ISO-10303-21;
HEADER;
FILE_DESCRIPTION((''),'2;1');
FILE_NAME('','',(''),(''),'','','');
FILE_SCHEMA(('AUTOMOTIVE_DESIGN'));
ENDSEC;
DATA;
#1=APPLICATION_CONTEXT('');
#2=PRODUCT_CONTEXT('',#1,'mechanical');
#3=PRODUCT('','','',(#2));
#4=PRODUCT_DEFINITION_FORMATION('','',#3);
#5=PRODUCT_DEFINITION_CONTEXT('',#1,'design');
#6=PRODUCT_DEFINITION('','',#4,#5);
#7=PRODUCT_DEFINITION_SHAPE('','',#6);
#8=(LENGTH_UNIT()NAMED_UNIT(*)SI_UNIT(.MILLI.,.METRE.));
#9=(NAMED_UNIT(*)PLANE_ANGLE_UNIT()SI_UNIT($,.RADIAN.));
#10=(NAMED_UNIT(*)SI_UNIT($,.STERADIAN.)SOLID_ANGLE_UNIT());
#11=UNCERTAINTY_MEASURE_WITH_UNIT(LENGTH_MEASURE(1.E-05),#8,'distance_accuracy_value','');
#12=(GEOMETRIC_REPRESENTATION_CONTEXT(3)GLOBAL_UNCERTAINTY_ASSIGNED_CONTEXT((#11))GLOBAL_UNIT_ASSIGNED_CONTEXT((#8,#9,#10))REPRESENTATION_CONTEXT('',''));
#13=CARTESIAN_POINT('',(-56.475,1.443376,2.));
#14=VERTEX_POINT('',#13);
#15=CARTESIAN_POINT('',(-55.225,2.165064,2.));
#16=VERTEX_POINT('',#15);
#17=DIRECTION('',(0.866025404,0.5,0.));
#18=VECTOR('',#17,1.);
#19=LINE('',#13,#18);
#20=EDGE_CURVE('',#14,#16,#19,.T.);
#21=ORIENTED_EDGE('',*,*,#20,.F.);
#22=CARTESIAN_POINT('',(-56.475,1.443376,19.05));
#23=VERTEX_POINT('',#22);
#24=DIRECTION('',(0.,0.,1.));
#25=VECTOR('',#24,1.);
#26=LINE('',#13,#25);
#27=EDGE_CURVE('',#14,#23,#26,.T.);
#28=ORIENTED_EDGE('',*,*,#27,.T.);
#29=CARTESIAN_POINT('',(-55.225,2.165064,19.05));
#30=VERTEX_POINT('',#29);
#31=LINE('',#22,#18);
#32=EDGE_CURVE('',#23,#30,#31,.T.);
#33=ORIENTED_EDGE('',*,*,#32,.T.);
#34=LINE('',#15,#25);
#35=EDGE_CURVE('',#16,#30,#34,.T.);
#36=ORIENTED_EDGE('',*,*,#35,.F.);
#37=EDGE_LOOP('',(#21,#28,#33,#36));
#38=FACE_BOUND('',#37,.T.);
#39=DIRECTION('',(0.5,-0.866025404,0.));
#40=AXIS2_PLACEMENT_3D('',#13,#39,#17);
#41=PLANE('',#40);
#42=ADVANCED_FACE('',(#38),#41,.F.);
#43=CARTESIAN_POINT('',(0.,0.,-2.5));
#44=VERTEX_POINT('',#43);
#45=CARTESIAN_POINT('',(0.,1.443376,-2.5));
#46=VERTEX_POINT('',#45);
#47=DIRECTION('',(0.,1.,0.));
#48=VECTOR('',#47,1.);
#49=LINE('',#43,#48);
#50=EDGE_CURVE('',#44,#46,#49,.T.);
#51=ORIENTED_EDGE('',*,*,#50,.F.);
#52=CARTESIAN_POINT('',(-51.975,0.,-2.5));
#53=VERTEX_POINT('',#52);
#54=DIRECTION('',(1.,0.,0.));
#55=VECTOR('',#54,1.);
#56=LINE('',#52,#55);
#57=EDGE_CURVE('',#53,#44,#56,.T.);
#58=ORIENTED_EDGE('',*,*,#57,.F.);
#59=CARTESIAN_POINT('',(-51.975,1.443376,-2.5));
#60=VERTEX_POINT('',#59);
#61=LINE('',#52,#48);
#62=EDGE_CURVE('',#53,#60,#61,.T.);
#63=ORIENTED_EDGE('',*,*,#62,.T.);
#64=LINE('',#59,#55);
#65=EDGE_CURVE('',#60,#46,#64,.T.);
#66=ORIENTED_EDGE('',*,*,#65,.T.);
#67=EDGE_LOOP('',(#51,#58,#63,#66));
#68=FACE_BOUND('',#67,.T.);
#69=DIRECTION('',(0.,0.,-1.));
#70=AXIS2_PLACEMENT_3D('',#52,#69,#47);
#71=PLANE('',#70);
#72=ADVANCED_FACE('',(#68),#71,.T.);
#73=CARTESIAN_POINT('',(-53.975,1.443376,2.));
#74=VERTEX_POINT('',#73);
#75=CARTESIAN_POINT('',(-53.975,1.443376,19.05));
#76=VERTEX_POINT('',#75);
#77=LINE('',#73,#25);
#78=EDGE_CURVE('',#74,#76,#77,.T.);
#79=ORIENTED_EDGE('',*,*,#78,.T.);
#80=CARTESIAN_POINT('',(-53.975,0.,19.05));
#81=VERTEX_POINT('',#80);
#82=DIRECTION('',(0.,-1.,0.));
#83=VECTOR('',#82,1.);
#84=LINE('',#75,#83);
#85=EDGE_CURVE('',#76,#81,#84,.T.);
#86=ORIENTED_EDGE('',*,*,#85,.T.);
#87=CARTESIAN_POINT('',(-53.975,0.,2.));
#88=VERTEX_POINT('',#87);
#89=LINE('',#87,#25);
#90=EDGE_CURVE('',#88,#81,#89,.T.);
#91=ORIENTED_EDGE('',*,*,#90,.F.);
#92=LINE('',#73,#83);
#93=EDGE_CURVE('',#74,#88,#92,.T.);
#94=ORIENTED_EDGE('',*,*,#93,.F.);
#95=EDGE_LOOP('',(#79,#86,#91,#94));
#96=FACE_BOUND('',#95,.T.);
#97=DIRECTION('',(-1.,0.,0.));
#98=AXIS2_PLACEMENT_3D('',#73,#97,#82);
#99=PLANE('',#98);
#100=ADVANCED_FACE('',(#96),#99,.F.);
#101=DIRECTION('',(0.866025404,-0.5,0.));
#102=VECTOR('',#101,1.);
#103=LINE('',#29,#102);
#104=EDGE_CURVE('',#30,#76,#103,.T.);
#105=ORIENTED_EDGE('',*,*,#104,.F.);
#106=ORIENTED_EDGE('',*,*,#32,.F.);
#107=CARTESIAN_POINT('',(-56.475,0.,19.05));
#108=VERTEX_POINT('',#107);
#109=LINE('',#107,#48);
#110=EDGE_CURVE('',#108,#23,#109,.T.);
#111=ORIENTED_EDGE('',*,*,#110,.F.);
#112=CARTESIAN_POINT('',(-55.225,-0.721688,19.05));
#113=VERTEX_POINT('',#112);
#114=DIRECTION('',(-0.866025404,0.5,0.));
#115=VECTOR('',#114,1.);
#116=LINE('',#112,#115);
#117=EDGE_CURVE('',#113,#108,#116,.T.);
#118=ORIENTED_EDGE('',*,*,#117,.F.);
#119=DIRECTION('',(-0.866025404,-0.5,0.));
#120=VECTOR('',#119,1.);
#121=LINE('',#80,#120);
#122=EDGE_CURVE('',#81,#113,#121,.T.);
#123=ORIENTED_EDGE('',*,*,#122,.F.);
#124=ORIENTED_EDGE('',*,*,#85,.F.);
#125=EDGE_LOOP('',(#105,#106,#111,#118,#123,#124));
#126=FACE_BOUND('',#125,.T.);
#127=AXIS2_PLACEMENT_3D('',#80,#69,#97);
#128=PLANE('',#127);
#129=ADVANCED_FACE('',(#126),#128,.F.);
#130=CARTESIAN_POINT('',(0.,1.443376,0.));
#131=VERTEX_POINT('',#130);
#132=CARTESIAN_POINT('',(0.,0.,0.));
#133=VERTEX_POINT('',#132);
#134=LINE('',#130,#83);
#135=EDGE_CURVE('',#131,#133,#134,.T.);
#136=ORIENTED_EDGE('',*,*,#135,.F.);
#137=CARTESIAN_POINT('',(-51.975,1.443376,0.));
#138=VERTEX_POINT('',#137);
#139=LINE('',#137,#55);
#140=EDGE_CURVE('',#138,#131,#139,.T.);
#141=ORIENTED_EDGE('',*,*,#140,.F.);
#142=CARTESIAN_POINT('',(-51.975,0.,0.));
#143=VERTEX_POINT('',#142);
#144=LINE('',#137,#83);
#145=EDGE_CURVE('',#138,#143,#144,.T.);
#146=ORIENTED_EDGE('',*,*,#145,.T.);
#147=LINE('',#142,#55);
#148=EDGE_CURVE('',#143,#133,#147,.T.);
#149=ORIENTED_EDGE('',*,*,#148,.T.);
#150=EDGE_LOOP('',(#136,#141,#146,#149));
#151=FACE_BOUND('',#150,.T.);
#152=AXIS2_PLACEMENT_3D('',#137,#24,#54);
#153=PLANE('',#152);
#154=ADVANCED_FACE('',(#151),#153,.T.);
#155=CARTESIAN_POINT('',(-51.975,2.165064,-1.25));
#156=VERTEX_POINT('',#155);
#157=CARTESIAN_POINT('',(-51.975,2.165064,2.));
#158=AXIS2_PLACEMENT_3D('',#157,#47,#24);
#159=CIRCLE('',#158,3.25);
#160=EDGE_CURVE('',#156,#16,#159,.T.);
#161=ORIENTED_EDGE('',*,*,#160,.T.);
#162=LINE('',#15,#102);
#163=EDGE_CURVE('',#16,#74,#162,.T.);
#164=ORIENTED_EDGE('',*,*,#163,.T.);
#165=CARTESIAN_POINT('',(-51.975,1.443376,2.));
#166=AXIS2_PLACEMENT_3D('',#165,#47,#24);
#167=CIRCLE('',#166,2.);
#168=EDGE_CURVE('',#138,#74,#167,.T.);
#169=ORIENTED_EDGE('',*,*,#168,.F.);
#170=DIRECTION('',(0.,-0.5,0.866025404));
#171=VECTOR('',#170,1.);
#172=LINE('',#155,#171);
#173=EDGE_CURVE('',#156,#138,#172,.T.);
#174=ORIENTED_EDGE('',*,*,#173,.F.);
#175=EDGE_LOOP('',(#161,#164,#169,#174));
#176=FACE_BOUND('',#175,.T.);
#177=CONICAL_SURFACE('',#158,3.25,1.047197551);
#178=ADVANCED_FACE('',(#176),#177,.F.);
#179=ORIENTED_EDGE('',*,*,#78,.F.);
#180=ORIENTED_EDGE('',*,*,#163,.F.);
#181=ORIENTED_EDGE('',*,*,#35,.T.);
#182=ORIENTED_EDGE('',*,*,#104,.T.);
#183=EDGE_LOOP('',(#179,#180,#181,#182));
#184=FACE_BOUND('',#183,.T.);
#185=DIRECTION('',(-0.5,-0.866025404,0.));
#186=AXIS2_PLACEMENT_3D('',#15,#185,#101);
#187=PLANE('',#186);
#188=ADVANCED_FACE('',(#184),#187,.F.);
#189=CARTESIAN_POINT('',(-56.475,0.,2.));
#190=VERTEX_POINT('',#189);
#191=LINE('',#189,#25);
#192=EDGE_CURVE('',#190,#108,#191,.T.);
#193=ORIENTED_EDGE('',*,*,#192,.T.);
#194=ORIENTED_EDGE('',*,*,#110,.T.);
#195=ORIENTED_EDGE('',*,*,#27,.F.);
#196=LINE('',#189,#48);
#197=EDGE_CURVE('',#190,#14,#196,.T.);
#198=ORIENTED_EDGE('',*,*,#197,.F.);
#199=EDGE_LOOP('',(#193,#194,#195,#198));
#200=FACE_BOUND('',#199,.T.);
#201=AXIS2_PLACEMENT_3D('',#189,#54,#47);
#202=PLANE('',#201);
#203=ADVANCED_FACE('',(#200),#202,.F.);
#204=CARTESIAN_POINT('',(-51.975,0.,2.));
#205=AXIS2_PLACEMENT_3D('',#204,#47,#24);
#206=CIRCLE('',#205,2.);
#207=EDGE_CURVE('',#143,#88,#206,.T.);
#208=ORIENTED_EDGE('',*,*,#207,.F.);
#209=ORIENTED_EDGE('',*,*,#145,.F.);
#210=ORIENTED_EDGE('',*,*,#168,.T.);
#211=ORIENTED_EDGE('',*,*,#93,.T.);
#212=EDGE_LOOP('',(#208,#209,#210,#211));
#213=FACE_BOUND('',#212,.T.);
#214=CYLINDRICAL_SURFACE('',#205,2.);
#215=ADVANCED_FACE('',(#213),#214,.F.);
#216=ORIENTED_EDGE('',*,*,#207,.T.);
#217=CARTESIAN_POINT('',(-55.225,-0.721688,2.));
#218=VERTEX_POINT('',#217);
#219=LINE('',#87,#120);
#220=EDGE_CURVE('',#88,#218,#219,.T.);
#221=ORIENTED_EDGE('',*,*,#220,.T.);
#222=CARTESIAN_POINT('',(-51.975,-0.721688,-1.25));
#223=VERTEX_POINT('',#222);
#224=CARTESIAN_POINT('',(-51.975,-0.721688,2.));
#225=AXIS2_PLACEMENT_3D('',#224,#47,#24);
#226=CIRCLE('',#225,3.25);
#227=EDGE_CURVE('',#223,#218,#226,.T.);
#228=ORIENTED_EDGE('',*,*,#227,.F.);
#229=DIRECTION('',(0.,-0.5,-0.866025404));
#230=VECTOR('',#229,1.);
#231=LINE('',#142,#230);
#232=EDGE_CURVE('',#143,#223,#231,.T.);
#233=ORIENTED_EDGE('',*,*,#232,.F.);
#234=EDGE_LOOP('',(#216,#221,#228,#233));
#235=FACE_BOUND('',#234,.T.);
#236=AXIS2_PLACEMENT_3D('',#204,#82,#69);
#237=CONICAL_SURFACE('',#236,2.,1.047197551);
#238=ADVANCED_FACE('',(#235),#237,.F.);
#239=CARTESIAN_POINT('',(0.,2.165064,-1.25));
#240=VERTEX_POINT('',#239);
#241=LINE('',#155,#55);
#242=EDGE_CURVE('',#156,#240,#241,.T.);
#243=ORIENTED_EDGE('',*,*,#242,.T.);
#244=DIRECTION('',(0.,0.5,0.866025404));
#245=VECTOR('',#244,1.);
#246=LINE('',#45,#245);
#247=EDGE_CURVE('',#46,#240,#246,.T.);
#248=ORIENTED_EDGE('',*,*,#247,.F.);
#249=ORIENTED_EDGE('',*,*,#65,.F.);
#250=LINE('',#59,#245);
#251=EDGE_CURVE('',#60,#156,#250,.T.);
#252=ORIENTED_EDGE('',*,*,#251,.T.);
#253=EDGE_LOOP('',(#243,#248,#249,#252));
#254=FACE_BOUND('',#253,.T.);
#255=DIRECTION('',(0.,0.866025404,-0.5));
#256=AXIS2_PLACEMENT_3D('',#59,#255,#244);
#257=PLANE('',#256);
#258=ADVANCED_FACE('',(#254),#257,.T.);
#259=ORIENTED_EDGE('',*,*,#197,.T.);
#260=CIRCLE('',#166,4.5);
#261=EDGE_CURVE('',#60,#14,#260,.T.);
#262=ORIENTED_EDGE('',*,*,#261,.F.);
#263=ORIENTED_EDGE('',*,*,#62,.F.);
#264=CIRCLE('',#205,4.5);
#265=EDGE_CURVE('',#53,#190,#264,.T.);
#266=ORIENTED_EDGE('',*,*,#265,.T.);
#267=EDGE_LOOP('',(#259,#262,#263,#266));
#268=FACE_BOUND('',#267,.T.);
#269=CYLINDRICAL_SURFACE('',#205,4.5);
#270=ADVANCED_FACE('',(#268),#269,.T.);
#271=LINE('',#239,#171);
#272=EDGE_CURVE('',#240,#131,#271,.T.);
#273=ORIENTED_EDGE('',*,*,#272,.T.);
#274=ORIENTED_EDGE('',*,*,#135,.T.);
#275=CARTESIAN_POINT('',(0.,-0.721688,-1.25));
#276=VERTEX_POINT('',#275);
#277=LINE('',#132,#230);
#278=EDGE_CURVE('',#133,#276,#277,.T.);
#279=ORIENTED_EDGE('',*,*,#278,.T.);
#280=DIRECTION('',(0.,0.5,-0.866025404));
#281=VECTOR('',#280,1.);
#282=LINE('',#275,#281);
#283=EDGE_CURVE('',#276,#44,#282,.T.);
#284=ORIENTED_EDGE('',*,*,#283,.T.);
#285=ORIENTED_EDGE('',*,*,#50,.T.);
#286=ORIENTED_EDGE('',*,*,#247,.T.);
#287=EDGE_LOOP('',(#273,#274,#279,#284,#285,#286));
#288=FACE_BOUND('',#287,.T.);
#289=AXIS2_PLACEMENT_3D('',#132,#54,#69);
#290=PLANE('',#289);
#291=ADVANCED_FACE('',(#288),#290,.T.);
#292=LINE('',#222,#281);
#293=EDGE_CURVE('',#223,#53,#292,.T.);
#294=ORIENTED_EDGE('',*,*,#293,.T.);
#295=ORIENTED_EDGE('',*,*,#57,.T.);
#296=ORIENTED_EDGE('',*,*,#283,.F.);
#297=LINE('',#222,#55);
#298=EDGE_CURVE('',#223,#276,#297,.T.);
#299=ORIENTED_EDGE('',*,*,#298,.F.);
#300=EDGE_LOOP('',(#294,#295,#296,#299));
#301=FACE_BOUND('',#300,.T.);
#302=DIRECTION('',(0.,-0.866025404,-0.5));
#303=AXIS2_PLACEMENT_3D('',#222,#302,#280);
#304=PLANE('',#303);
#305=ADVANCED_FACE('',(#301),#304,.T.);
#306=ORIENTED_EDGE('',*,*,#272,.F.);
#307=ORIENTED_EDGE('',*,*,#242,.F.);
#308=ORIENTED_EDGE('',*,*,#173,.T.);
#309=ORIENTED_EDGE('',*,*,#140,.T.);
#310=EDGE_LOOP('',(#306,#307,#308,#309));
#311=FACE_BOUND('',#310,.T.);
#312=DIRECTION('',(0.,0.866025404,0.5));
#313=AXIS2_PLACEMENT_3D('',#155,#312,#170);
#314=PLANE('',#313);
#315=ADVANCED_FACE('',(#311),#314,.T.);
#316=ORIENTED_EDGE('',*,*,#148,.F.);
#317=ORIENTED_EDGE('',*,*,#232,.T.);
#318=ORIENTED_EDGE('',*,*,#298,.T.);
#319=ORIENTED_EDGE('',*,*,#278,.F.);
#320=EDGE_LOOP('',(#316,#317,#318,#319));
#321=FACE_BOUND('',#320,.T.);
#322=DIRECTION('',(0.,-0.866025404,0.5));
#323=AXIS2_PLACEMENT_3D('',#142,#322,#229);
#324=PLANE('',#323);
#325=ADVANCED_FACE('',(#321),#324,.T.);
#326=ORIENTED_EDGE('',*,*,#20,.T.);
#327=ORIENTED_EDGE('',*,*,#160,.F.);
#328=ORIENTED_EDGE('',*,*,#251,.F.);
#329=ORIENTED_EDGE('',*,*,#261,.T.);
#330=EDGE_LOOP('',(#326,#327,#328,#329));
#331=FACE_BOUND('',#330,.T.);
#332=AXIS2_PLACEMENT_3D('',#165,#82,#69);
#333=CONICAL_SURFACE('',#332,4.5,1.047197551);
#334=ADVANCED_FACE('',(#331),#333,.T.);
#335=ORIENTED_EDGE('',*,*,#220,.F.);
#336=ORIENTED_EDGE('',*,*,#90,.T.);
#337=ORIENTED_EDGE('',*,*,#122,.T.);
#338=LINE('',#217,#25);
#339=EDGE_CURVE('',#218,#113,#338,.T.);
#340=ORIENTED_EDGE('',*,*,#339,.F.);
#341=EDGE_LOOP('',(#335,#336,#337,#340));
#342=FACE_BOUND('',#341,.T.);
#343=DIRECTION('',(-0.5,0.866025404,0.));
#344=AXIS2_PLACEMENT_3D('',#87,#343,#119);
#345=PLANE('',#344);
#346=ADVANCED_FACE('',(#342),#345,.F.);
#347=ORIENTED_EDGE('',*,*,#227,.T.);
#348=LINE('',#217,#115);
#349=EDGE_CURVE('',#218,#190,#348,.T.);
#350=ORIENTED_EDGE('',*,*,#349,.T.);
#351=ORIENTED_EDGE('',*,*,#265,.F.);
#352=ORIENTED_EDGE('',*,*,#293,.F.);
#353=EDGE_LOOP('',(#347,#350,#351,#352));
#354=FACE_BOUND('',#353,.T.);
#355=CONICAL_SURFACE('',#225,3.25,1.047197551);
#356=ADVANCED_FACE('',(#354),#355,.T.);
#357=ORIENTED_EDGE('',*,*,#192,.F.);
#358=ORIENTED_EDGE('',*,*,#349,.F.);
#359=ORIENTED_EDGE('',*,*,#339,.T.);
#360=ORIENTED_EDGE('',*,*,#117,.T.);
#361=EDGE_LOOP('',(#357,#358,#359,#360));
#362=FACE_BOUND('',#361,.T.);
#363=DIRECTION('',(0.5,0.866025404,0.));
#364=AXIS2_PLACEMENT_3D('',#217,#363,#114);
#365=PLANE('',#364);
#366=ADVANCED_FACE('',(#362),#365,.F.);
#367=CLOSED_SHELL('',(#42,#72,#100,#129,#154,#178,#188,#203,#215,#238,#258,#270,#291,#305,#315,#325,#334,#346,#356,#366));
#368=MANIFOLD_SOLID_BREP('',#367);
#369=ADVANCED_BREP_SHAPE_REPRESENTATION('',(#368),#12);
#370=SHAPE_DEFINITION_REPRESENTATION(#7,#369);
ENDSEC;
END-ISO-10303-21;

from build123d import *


with BuildPart() as part:
    # Sweep1: sweep along a path in Sketch1
    with BuildLine(Plane(origin=(0, 0, 0), x_dir=(1, 0, 0), z_dir=(0, 1, 0))) as sweep1_path:
        Line((0, 0), (-51.975, 0))
        ThreePointArc((-51.975, 0), (-53.389213562, -0.585786438), (-53.975, -2))
        Line((-53.975, -2), (-53.975, -19.05))
    # Sketch2 → Sweep1 (sweep)
    with BuildSketch(Plane(origin=(0, 0, 0), x_dir=(0, 0, -1), z_dir=(1, 0, 0))):
        Polygon((1.25, -0.721687836), (2.5, 0), (2.5, 1.443375673), (1.25, 2.165063509), (0, 1.443375673), (0, 0), align=None)
    sweep(path=sweep1_path.line)


solid = part.part
